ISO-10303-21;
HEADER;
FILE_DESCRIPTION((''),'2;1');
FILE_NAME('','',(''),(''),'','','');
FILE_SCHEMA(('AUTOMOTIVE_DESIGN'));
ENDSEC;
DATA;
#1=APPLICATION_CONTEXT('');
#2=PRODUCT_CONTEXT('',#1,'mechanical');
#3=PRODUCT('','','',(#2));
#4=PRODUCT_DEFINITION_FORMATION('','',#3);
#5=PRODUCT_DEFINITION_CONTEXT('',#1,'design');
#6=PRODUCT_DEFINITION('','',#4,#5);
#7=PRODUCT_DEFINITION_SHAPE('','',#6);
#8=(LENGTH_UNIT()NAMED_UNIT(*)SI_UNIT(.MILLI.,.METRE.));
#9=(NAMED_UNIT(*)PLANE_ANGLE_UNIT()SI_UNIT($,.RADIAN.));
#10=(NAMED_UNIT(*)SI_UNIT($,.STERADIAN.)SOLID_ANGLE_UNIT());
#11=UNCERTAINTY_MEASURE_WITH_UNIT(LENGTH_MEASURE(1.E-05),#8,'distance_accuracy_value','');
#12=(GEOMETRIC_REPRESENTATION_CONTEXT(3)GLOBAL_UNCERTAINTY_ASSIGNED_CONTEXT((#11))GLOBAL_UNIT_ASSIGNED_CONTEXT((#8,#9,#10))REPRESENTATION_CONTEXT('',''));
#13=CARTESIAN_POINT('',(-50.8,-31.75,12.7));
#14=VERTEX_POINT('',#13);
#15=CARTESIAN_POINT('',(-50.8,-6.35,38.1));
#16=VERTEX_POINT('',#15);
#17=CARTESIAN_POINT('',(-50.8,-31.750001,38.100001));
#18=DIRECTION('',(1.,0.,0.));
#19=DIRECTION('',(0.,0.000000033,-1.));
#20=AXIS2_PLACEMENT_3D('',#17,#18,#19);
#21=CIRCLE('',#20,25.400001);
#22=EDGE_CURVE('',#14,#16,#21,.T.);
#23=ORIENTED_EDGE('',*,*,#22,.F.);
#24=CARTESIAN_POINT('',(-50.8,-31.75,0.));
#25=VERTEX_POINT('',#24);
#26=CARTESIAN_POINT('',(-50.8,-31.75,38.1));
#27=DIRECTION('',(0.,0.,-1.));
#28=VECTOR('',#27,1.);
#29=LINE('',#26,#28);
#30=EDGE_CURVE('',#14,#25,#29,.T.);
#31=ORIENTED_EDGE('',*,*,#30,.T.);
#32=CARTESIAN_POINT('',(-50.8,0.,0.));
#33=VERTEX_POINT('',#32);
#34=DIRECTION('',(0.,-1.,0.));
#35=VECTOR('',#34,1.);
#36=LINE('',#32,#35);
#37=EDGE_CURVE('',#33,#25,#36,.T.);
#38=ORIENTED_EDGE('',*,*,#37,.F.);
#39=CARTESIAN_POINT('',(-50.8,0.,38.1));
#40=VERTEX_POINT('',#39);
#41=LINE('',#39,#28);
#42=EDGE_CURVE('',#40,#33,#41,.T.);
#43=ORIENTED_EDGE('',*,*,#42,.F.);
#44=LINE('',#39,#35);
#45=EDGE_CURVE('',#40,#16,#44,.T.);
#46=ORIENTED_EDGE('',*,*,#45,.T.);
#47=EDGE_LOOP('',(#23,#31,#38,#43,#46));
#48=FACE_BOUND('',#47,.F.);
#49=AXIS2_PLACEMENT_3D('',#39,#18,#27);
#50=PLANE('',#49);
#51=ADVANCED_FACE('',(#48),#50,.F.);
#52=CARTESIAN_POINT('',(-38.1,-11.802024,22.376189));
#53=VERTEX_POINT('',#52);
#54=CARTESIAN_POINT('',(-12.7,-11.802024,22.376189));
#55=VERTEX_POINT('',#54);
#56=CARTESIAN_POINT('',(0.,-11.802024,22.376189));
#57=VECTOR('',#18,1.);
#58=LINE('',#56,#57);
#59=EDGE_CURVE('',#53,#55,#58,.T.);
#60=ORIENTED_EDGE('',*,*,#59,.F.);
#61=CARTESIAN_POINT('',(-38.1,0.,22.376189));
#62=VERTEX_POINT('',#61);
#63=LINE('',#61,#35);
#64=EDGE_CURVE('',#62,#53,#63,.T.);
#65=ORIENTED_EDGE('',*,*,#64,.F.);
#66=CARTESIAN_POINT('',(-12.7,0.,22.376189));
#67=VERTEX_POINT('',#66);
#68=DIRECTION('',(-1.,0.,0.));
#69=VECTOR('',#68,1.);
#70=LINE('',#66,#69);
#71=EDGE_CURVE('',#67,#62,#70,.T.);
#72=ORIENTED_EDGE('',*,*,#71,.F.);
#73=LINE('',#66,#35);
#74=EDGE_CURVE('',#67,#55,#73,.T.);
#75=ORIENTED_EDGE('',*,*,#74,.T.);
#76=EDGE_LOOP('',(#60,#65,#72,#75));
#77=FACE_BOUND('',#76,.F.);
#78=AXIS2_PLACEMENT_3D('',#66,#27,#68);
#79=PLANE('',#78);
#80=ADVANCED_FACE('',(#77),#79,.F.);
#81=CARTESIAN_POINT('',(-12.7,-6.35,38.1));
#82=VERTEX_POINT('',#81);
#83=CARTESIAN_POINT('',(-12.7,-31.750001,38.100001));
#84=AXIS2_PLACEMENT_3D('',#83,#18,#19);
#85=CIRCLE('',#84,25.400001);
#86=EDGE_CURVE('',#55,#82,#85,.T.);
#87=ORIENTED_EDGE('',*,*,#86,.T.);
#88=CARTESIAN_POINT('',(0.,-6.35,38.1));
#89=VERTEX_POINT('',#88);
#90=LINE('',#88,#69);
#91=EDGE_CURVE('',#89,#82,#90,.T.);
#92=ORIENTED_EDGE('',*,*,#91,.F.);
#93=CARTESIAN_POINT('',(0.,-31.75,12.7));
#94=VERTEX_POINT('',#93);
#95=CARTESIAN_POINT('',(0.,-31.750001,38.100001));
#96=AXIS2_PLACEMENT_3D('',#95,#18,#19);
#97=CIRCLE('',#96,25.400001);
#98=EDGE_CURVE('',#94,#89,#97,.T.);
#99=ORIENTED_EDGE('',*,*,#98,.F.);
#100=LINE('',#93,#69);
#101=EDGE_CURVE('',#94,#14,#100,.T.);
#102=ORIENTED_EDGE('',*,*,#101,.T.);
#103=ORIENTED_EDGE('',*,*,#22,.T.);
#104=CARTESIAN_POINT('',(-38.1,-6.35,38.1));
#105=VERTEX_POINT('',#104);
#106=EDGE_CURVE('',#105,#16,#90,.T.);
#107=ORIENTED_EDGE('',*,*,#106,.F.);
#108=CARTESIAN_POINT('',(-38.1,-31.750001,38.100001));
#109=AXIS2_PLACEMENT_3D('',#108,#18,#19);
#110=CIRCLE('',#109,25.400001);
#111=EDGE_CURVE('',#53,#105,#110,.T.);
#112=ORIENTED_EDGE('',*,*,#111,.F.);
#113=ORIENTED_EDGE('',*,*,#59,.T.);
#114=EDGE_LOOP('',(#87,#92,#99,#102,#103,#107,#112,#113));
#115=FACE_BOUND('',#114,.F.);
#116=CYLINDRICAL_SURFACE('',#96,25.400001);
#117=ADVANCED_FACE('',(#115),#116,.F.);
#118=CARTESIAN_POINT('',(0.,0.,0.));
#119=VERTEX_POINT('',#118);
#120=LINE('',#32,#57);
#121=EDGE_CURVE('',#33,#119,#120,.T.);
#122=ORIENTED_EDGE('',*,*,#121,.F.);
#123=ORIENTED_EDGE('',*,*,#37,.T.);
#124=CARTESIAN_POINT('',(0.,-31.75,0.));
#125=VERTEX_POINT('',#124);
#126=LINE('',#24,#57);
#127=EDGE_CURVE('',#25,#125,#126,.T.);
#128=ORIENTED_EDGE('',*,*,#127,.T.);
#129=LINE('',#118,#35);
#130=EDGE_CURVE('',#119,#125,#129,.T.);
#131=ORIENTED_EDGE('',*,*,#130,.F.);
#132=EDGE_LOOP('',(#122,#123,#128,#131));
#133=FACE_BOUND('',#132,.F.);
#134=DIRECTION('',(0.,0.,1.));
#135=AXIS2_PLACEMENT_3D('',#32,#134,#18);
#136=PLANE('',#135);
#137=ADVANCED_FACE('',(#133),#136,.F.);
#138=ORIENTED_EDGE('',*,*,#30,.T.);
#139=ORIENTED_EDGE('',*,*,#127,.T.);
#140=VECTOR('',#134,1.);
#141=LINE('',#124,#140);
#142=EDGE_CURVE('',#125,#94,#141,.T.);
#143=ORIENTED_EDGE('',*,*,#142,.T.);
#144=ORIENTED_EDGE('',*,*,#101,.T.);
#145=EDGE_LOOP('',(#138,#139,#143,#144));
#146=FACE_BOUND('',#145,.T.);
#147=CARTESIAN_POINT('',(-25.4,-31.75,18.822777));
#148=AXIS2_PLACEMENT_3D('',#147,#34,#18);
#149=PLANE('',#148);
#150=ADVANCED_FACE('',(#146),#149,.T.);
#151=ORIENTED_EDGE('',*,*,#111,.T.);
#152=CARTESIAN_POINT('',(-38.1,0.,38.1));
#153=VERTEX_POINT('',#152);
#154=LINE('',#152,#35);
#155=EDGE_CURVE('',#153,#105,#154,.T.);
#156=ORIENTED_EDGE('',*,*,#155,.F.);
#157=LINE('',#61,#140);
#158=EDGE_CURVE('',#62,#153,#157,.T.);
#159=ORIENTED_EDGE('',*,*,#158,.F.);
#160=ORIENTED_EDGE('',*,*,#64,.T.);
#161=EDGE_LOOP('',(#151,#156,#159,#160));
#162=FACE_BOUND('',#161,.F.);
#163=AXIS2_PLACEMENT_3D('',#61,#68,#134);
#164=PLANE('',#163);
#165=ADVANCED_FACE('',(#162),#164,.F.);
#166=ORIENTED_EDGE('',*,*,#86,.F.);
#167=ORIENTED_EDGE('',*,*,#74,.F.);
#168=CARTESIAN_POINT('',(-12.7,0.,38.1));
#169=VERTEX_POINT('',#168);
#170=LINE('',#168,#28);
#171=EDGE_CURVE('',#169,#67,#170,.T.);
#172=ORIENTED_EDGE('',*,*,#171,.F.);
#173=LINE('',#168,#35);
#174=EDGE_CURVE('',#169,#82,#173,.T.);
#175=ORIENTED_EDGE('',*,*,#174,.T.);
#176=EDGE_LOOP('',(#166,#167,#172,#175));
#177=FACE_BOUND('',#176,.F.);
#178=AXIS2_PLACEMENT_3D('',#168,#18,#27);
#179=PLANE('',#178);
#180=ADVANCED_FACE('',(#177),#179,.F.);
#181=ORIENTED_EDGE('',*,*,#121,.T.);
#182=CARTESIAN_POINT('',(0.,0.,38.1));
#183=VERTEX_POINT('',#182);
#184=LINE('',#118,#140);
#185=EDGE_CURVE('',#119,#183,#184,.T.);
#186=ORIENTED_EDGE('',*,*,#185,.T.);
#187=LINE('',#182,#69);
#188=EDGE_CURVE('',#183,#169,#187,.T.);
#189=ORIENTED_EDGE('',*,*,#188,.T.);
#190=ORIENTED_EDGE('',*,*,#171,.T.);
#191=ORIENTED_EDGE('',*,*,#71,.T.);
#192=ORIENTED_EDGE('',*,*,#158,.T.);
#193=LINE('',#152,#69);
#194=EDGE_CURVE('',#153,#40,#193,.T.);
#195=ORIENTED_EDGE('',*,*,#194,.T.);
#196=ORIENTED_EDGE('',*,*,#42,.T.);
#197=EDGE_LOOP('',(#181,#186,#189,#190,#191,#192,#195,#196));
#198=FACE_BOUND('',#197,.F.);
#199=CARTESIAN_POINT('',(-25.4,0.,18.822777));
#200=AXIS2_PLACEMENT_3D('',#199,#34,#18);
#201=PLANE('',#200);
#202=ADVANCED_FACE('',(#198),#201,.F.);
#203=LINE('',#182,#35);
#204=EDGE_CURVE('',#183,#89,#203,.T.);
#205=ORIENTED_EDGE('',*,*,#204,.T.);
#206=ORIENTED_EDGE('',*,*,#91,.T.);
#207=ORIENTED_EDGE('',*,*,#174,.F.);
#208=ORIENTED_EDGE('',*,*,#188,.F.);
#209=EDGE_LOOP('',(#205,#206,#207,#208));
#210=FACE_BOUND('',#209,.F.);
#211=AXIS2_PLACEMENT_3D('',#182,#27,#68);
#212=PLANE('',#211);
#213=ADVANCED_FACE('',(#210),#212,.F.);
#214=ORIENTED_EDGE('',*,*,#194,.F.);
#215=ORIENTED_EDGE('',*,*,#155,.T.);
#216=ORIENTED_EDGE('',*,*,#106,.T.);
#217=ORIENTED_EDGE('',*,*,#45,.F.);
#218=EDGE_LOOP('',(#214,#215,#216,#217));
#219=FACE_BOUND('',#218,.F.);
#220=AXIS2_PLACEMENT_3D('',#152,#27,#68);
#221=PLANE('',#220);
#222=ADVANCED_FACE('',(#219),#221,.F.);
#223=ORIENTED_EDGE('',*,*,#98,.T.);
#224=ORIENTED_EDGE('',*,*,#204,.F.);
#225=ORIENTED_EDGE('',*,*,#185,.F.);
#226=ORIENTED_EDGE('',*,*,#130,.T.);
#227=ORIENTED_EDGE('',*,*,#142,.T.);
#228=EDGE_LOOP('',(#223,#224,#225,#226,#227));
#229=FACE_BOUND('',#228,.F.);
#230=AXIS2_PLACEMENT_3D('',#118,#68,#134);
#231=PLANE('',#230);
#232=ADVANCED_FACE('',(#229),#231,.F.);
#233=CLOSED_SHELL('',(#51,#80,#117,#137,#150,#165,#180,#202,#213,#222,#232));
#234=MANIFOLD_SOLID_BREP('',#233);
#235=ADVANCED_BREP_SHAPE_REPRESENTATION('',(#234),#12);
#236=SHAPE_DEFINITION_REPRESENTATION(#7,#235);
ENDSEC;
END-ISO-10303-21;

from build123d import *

# Parameters (mm, degrees)
F1_DEPTH = 31.75
F3_DEPTH = 50.8


with BuildPart() as f1:
    # F0 (on Front) → F1 (new body)
    with BuildSketch(Plane.XZ):
        Polygon((-50.8, 0), (0, 0), (0, 38.1), (-12.7, 38.1), (-12.7, 22.376189), (-38.1, 22.376189), (-38.1, 38.1), (-50.8, 38.1), align=None)
    extrude(amount=F1_DEPTH)

    # F2 (on face) → F3 (cut)
    with BuildSketch(Plane.YZ):
        with BuildLine():
            Line((-31.75, 38.1), (-31.75, 12.7))
            ThreePointArc((-31.75, 12.7), (-13.789488, 20.139488), (-6.35, 38.1))
            Line((-6.35, 38.1), (-31.75, 38.1))
        make_face()
    extrude(amount=-F3_DEPTH, mode=Mode.SUBTRACT)


solid = f1.part
